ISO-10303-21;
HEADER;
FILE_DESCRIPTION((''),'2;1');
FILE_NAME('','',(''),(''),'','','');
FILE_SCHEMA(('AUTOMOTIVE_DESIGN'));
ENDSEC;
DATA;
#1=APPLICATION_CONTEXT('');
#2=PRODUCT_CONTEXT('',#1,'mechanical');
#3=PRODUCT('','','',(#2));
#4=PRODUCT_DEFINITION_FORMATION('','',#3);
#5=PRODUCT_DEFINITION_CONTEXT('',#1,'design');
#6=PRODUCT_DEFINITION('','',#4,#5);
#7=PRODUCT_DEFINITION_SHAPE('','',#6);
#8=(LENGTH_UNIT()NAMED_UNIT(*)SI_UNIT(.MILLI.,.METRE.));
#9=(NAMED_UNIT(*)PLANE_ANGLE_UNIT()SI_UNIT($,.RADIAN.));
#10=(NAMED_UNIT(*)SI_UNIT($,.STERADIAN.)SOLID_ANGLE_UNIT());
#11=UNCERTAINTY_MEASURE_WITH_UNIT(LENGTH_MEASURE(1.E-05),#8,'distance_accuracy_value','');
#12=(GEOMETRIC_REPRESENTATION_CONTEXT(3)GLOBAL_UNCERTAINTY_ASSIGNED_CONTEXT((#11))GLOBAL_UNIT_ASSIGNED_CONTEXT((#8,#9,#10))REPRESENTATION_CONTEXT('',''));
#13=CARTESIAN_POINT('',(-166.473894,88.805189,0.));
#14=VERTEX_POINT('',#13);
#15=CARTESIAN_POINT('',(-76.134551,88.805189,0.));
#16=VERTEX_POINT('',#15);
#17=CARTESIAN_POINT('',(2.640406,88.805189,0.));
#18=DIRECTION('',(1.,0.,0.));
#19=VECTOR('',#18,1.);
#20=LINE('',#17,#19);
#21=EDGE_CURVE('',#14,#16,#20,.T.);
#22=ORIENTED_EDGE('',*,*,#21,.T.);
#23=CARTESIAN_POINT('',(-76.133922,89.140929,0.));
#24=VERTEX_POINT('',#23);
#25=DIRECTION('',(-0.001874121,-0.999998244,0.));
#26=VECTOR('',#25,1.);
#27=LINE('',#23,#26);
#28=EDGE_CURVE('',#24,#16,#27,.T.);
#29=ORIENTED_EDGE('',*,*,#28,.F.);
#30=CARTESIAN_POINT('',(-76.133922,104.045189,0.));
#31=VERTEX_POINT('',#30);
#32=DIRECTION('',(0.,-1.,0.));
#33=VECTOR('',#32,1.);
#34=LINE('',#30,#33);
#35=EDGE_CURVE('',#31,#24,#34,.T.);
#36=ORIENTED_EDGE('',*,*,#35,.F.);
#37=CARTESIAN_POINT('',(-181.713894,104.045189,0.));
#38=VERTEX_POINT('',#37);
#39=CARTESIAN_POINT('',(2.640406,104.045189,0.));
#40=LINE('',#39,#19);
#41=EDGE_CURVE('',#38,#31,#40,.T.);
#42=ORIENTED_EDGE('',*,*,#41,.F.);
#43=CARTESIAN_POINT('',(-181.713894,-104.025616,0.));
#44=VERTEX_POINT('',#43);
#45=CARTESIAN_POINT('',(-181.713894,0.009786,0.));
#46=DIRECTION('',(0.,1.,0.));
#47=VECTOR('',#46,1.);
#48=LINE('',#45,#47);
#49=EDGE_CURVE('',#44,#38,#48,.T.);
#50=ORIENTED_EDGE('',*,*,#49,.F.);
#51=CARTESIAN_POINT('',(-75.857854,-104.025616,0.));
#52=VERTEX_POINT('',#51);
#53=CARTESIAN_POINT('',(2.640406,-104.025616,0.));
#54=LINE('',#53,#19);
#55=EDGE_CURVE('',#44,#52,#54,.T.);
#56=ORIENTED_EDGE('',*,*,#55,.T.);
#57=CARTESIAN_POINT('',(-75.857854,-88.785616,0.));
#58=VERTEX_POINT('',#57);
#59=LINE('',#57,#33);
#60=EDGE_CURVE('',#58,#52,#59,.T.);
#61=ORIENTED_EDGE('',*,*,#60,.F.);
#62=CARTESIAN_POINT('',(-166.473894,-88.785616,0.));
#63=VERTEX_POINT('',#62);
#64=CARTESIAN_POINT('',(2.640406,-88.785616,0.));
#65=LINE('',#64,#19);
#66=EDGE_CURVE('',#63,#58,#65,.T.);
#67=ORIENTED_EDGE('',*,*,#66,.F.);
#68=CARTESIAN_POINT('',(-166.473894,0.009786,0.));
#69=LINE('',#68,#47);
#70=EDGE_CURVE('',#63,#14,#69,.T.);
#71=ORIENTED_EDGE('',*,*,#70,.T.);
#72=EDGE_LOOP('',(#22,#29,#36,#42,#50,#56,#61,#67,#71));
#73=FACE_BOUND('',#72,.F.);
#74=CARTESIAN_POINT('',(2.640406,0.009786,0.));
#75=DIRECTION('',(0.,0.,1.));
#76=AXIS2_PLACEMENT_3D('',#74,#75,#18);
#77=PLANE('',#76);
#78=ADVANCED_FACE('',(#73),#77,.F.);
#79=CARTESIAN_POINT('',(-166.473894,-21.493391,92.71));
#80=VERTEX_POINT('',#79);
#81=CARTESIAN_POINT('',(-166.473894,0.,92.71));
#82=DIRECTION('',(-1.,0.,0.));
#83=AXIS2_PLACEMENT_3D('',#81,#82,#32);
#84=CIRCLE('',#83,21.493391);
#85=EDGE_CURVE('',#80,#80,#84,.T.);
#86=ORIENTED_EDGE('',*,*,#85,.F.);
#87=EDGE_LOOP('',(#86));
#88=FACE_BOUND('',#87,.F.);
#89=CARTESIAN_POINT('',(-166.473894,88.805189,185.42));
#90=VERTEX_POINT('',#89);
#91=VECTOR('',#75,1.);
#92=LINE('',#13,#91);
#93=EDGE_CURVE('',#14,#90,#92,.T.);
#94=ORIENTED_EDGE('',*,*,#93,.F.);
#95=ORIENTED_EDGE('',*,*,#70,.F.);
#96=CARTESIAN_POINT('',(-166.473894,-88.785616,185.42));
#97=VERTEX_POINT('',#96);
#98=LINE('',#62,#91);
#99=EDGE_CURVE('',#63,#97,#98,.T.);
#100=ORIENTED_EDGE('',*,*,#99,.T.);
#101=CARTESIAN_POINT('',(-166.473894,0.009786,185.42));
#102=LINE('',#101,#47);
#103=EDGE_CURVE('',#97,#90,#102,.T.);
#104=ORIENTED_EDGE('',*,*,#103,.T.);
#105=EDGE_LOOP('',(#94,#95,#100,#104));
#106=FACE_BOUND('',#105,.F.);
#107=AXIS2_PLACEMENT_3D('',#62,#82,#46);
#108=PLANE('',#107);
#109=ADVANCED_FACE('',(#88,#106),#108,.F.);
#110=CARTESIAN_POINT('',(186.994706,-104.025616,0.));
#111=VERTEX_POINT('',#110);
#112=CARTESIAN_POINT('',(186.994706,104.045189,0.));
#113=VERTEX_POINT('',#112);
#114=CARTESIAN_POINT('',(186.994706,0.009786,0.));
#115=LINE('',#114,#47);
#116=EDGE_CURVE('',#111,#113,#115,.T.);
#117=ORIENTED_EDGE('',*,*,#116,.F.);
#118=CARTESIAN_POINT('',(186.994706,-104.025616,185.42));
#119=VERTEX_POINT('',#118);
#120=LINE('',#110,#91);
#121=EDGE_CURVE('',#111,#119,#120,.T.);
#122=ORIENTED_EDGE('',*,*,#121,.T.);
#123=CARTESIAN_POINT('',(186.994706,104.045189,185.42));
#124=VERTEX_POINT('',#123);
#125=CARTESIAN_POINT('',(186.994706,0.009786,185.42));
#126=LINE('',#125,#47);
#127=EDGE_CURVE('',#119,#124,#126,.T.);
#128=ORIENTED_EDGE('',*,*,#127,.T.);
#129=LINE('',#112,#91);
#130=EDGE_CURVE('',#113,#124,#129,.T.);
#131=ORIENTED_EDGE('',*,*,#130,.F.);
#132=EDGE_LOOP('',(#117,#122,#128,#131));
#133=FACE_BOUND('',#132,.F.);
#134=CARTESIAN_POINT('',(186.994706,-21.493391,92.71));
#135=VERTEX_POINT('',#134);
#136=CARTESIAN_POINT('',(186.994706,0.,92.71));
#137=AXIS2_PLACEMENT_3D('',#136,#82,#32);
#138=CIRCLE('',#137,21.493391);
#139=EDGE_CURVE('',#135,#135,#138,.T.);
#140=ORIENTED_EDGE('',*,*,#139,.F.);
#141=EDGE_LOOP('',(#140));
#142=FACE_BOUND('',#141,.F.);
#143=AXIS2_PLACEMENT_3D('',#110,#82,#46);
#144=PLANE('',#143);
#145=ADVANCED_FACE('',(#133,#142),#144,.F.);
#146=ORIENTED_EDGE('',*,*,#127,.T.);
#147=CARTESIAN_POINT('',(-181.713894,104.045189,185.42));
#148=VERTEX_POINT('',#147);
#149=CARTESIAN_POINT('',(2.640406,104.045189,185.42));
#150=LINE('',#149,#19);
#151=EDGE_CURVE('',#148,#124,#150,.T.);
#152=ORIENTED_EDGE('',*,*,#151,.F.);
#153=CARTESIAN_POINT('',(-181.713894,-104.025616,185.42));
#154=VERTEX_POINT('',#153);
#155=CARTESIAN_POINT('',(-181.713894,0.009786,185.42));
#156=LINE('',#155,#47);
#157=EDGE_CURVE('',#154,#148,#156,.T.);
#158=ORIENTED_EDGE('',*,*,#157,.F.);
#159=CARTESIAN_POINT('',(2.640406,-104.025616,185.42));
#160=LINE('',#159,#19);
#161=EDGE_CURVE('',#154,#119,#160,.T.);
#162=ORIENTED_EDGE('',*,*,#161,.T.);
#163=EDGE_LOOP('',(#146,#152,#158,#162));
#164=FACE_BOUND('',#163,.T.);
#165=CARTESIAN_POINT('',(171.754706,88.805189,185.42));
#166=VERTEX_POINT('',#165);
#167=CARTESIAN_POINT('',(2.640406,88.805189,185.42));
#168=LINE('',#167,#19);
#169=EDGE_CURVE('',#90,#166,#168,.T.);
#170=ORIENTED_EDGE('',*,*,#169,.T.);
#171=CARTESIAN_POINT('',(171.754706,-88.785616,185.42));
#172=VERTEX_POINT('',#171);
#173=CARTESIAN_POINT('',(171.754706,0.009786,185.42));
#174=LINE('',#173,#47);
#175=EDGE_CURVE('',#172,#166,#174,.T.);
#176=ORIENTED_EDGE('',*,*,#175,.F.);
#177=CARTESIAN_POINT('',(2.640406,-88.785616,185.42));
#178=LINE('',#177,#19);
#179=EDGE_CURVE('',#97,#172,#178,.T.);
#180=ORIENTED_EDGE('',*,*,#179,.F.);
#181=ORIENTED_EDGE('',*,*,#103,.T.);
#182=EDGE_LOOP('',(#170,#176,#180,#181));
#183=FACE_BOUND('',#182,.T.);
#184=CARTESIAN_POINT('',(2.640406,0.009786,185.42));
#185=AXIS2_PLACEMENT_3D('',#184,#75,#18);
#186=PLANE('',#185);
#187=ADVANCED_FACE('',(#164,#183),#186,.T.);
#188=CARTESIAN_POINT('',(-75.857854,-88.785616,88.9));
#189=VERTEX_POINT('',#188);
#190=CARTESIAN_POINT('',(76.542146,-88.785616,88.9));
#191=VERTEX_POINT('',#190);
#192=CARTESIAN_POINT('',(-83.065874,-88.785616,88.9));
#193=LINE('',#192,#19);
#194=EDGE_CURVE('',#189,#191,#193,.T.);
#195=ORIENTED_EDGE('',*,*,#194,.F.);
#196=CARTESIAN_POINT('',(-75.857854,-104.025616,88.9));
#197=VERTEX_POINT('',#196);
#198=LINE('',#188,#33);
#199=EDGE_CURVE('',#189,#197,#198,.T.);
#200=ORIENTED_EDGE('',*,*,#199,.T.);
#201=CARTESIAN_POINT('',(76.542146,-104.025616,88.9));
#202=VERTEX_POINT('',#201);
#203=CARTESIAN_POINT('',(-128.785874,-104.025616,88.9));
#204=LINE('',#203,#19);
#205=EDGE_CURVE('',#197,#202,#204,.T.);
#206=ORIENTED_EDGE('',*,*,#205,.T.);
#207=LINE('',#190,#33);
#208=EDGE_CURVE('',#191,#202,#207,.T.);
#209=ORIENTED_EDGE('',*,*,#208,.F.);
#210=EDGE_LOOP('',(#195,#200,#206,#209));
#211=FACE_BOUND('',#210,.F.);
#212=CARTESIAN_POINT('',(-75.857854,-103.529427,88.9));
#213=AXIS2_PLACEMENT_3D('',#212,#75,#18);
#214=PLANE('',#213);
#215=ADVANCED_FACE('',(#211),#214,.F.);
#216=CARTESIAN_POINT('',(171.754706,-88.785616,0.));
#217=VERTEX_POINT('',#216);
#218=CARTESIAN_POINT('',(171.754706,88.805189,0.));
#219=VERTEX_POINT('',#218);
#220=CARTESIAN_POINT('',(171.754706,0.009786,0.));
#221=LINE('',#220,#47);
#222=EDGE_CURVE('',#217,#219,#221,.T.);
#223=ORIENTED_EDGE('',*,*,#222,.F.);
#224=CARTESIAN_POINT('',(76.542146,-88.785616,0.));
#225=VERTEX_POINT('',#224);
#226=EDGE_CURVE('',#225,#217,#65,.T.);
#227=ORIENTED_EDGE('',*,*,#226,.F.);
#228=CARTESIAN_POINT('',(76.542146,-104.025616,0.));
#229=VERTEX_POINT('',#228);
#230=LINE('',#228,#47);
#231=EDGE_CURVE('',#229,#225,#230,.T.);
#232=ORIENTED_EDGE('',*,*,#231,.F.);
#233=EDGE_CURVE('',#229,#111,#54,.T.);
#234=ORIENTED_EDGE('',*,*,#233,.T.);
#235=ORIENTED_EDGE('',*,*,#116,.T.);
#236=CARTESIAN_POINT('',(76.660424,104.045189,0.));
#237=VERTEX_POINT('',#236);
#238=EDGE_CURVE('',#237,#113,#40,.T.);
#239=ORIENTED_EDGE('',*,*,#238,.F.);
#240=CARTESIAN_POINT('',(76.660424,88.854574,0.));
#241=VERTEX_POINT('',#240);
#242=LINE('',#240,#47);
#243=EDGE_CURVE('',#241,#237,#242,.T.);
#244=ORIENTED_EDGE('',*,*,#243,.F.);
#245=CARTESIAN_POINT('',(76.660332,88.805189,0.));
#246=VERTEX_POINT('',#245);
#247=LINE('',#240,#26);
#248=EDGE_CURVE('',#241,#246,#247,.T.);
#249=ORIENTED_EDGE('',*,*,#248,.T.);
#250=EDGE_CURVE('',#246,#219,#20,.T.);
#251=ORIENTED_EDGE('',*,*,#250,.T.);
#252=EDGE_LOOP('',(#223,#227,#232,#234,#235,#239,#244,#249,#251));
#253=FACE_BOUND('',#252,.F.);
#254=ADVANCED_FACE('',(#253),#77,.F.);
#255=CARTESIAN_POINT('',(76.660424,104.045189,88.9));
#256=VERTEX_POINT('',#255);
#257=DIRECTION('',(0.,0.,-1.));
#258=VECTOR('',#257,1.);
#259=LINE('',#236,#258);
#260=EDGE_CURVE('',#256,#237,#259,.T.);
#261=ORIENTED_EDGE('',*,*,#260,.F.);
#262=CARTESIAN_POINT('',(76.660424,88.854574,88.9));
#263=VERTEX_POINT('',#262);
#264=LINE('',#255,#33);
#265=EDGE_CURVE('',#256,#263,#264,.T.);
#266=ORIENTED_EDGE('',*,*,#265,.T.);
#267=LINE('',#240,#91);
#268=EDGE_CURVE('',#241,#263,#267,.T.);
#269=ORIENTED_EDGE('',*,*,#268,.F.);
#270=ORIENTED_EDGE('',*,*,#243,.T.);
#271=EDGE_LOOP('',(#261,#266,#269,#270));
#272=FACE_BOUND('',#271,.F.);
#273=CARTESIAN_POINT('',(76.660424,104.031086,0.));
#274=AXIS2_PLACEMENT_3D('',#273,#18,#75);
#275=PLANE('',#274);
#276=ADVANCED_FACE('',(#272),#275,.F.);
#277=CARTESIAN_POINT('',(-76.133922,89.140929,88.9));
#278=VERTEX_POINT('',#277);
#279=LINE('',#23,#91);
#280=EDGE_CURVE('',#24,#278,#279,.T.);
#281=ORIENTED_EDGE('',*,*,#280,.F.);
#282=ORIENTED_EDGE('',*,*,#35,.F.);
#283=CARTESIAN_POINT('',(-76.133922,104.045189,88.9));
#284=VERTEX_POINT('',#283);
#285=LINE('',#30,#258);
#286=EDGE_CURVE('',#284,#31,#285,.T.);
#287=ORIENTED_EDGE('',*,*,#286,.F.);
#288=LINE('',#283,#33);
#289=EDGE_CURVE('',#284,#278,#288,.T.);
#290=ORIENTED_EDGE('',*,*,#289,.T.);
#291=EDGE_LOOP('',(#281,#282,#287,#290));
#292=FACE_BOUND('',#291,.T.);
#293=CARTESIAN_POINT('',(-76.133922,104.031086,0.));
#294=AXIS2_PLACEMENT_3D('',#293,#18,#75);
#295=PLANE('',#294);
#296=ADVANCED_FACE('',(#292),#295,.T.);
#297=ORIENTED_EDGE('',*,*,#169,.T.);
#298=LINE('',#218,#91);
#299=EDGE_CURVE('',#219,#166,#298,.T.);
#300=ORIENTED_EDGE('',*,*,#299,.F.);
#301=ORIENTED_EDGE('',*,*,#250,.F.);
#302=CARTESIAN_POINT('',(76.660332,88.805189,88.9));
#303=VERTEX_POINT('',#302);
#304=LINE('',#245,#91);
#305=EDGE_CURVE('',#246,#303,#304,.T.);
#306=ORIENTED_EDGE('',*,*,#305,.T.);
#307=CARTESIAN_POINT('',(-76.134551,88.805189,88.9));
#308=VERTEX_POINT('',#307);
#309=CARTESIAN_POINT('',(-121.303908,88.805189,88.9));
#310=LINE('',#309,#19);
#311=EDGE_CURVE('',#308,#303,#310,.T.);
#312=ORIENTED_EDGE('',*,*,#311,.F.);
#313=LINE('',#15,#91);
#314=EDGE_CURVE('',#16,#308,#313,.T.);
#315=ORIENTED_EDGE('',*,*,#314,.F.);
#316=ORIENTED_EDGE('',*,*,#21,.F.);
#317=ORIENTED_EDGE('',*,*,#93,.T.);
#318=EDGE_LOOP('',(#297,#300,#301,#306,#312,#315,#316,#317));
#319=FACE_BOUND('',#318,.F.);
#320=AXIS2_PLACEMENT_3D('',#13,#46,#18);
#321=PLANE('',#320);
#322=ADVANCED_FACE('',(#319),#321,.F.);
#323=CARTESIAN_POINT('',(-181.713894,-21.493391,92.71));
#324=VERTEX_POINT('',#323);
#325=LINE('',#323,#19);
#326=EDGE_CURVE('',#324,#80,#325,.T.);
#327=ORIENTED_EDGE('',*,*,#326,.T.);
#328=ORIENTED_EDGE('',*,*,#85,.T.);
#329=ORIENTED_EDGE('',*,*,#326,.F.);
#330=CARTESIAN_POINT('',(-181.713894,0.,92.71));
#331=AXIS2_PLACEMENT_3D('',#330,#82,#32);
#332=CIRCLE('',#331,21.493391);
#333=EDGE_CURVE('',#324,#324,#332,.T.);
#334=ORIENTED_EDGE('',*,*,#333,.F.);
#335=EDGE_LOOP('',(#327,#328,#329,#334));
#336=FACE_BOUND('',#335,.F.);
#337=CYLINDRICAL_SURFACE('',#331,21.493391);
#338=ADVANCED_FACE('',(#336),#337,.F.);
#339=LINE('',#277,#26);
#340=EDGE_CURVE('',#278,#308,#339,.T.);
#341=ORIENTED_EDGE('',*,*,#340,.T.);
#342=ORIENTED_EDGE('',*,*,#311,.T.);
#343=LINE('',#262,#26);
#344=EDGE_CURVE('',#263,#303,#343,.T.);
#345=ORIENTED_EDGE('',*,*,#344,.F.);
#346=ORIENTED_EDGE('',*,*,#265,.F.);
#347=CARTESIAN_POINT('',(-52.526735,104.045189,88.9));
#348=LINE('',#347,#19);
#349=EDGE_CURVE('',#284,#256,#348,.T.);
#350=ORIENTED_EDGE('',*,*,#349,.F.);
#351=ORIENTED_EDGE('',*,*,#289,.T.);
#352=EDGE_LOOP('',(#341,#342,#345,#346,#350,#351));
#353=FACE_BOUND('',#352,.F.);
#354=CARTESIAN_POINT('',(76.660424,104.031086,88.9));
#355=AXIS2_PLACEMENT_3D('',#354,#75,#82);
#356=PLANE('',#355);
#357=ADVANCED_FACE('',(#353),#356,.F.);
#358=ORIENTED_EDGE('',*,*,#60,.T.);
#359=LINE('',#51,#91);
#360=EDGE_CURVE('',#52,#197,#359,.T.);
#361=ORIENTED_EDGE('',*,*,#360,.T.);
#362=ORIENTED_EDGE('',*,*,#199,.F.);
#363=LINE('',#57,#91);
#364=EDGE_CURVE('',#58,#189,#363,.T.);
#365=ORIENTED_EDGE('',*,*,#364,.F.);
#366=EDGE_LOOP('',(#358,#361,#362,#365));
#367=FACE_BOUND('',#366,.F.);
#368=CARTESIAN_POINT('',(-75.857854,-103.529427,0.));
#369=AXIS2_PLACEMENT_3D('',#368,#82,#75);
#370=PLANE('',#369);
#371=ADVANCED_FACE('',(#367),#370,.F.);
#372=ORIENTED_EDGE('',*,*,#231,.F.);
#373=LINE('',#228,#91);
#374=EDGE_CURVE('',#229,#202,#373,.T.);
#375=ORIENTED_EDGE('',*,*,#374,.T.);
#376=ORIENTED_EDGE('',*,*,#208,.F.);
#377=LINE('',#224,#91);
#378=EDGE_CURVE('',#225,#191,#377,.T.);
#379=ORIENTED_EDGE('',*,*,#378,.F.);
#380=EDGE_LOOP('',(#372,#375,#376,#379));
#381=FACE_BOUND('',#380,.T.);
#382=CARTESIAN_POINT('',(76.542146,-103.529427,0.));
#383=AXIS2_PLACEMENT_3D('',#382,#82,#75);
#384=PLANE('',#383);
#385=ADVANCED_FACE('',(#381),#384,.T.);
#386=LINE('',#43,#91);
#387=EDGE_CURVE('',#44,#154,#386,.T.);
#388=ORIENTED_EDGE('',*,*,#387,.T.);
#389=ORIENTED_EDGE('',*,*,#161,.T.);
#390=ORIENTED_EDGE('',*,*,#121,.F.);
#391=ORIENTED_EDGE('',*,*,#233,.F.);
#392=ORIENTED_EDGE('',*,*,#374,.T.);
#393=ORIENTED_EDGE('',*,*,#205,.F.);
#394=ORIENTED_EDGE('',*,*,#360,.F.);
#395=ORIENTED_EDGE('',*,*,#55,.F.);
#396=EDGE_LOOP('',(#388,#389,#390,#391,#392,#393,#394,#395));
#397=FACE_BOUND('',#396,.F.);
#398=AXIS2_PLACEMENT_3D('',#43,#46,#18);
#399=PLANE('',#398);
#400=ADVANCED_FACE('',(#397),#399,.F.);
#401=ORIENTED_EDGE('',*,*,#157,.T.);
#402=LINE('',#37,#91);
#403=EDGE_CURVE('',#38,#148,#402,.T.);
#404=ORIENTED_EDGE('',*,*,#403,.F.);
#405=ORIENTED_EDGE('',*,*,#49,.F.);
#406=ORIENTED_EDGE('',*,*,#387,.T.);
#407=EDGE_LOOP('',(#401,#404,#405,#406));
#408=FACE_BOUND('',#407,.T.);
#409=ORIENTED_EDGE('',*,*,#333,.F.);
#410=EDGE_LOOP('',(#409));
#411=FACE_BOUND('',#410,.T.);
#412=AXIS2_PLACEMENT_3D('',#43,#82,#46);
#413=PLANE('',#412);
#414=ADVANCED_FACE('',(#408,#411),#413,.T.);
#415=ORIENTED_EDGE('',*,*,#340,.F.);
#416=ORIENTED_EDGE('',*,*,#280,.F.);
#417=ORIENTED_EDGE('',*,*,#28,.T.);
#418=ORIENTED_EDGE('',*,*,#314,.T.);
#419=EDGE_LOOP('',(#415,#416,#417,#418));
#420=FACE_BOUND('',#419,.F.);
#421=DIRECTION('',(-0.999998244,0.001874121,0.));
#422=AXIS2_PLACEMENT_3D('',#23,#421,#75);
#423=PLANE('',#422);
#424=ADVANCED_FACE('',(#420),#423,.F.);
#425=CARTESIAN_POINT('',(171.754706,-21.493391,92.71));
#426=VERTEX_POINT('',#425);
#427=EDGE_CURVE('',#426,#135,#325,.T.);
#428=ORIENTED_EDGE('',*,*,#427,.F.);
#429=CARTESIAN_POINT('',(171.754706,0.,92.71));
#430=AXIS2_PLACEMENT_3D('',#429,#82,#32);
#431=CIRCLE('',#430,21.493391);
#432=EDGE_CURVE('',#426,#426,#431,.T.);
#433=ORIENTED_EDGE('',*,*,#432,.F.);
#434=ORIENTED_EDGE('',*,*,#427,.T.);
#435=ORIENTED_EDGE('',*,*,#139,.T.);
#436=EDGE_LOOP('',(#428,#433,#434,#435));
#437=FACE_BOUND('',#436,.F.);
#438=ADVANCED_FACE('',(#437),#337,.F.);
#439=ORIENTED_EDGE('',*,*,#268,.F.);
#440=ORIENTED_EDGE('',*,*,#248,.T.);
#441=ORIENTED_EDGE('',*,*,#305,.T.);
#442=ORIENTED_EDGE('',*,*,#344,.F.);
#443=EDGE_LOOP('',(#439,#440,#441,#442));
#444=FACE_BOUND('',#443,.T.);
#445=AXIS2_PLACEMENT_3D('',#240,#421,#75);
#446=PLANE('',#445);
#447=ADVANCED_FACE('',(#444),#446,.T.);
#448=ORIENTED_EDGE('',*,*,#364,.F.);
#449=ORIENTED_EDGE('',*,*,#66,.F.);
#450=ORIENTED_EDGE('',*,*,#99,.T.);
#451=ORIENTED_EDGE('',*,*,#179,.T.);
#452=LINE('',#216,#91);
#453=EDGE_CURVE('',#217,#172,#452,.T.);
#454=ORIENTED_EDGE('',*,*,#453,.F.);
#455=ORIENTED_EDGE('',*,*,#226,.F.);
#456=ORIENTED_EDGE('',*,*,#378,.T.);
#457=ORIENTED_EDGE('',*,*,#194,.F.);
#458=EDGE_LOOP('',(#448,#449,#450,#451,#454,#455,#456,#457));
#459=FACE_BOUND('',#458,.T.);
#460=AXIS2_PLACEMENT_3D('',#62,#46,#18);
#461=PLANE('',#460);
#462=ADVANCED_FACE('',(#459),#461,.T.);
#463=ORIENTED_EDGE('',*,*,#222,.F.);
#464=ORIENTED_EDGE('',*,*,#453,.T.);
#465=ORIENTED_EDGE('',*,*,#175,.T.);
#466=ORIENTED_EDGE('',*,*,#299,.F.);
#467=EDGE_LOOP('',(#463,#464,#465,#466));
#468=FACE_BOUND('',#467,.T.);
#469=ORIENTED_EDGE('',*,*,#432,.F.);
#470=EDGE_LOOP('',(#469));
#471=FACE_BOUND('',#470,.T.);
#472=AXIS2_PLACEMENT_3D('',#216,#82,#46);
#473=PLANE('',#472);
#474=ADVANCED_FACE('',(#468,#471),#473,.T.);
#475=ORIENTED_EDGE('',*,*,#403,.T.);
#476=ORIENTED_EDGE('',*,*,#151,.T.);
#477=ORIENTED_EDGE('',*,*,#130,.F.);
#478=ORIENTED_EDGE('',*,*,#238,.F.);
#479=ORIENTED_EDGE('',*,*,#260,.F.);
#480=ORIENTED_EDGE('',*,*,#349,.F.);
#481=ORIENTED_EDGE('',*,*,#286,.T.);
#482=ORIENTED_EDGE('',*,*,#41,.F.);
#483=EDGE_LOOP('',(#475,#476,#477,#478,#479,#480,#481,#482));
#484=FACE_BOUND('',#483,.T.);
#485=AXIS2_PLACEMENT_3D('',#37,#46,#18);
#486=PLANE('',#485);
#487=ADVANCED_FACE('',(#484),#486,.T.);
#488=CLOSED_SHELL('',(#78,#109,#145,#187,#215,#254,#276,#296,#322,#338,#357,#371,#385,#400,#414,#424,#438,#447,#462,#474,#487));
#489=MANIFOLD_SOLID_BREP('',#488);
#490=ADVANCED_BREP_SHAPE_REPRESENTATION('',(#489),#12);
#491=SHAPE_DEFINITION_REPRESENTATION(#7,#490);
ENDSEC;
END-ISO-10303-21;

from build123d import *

# Parameters (mm, degrees)
F0_W     = 368.7085997245
F0_H     = 208.0708047671
F0_W_2   = 338.2285997245
F0_H_2   = 177.5908047671
F1_DEPTH = 185.42
F3_W     = 152.4
F3_H     = 14.9174671465
F4_DEPTH = 88.9
F5_DEPTH = 14.224
F6_DEPTH = 25.4
F7_DEPTH = 25.4
F8_R     = 21.4933910587
F9_DEPTH = 469.9


with BuildPart() as f1:
    # F0 (on Top) → F1 (new body)
    with BuildSketch(Plane.XY):
        with Locations((2.6404061785, 0.0097863376)):
            Rectangle(F0_W, F0_H)
        with Locations((2.6404061785, 0.0097863376)):
            Rectangle(F0_W_2, F0_H_2, mode=Mode.SUBTRACT)
    extrude(amount=F1_DEPTH)

    # F3 (on face) → F4 (cut)
    with BuildSketch(Plane.XY):
        with Locations((0.3421455622, -96.07069315)):
            Rectangle(F3_W, F3_H)
        Polygon((-76.1339217424, 104.031085968), (-76.1339217424, 89.1409292817), (76.6604244709, 88.854573667), (76.6604244709, 104.031085968), align=None)
    extrude(amount=F4_DEPTH, mode=Mode.SUBTRACT)

    # F5 (cut): a face of the model
    f5_faces = [f1.faces().sort_by_distance(p)[0] for p in [
        (0.3421455622, -103.5294267233, 44.45),
    ]]
    extrude(f5_faces, amount=-F5_DEPTH, mode=Mode.SUBTRACT)

    # F6 (cut): a face of the model
    f6_faces = [f1.faces().sort_by_distance(p)[0] for p in [
        (0.2632513642, 88.9977514744, 44.45),
    ]]
    extrude(f6_faces, amount=-F6_DEPTH, mode=Mode.SUBTRACT)

    # F7 (cut): a face of the model
    f7_faces = [f1.faces().sort_by_distance(p)[0] for p in [
        (0.2632513642, 104.031085968, 44.45),
    ]]
    extrude(f7_faces, amount=-F7_DEPTH, mode=Mode.SUBTRACT)

    # F8 (on face) → F9 (cut)
    with BuildSketch(Plane(origin=(-181.7138936837, 0, 0), x_dir=(0, -1, 0), z_dir=(-1, 0, 0))):
        with Locations((0, 92.71)):
            Circle(F8_R)
    extrude(amount=-F9_DEPTH, mode=Mode.SUBTRACT)


solid = f1.part
